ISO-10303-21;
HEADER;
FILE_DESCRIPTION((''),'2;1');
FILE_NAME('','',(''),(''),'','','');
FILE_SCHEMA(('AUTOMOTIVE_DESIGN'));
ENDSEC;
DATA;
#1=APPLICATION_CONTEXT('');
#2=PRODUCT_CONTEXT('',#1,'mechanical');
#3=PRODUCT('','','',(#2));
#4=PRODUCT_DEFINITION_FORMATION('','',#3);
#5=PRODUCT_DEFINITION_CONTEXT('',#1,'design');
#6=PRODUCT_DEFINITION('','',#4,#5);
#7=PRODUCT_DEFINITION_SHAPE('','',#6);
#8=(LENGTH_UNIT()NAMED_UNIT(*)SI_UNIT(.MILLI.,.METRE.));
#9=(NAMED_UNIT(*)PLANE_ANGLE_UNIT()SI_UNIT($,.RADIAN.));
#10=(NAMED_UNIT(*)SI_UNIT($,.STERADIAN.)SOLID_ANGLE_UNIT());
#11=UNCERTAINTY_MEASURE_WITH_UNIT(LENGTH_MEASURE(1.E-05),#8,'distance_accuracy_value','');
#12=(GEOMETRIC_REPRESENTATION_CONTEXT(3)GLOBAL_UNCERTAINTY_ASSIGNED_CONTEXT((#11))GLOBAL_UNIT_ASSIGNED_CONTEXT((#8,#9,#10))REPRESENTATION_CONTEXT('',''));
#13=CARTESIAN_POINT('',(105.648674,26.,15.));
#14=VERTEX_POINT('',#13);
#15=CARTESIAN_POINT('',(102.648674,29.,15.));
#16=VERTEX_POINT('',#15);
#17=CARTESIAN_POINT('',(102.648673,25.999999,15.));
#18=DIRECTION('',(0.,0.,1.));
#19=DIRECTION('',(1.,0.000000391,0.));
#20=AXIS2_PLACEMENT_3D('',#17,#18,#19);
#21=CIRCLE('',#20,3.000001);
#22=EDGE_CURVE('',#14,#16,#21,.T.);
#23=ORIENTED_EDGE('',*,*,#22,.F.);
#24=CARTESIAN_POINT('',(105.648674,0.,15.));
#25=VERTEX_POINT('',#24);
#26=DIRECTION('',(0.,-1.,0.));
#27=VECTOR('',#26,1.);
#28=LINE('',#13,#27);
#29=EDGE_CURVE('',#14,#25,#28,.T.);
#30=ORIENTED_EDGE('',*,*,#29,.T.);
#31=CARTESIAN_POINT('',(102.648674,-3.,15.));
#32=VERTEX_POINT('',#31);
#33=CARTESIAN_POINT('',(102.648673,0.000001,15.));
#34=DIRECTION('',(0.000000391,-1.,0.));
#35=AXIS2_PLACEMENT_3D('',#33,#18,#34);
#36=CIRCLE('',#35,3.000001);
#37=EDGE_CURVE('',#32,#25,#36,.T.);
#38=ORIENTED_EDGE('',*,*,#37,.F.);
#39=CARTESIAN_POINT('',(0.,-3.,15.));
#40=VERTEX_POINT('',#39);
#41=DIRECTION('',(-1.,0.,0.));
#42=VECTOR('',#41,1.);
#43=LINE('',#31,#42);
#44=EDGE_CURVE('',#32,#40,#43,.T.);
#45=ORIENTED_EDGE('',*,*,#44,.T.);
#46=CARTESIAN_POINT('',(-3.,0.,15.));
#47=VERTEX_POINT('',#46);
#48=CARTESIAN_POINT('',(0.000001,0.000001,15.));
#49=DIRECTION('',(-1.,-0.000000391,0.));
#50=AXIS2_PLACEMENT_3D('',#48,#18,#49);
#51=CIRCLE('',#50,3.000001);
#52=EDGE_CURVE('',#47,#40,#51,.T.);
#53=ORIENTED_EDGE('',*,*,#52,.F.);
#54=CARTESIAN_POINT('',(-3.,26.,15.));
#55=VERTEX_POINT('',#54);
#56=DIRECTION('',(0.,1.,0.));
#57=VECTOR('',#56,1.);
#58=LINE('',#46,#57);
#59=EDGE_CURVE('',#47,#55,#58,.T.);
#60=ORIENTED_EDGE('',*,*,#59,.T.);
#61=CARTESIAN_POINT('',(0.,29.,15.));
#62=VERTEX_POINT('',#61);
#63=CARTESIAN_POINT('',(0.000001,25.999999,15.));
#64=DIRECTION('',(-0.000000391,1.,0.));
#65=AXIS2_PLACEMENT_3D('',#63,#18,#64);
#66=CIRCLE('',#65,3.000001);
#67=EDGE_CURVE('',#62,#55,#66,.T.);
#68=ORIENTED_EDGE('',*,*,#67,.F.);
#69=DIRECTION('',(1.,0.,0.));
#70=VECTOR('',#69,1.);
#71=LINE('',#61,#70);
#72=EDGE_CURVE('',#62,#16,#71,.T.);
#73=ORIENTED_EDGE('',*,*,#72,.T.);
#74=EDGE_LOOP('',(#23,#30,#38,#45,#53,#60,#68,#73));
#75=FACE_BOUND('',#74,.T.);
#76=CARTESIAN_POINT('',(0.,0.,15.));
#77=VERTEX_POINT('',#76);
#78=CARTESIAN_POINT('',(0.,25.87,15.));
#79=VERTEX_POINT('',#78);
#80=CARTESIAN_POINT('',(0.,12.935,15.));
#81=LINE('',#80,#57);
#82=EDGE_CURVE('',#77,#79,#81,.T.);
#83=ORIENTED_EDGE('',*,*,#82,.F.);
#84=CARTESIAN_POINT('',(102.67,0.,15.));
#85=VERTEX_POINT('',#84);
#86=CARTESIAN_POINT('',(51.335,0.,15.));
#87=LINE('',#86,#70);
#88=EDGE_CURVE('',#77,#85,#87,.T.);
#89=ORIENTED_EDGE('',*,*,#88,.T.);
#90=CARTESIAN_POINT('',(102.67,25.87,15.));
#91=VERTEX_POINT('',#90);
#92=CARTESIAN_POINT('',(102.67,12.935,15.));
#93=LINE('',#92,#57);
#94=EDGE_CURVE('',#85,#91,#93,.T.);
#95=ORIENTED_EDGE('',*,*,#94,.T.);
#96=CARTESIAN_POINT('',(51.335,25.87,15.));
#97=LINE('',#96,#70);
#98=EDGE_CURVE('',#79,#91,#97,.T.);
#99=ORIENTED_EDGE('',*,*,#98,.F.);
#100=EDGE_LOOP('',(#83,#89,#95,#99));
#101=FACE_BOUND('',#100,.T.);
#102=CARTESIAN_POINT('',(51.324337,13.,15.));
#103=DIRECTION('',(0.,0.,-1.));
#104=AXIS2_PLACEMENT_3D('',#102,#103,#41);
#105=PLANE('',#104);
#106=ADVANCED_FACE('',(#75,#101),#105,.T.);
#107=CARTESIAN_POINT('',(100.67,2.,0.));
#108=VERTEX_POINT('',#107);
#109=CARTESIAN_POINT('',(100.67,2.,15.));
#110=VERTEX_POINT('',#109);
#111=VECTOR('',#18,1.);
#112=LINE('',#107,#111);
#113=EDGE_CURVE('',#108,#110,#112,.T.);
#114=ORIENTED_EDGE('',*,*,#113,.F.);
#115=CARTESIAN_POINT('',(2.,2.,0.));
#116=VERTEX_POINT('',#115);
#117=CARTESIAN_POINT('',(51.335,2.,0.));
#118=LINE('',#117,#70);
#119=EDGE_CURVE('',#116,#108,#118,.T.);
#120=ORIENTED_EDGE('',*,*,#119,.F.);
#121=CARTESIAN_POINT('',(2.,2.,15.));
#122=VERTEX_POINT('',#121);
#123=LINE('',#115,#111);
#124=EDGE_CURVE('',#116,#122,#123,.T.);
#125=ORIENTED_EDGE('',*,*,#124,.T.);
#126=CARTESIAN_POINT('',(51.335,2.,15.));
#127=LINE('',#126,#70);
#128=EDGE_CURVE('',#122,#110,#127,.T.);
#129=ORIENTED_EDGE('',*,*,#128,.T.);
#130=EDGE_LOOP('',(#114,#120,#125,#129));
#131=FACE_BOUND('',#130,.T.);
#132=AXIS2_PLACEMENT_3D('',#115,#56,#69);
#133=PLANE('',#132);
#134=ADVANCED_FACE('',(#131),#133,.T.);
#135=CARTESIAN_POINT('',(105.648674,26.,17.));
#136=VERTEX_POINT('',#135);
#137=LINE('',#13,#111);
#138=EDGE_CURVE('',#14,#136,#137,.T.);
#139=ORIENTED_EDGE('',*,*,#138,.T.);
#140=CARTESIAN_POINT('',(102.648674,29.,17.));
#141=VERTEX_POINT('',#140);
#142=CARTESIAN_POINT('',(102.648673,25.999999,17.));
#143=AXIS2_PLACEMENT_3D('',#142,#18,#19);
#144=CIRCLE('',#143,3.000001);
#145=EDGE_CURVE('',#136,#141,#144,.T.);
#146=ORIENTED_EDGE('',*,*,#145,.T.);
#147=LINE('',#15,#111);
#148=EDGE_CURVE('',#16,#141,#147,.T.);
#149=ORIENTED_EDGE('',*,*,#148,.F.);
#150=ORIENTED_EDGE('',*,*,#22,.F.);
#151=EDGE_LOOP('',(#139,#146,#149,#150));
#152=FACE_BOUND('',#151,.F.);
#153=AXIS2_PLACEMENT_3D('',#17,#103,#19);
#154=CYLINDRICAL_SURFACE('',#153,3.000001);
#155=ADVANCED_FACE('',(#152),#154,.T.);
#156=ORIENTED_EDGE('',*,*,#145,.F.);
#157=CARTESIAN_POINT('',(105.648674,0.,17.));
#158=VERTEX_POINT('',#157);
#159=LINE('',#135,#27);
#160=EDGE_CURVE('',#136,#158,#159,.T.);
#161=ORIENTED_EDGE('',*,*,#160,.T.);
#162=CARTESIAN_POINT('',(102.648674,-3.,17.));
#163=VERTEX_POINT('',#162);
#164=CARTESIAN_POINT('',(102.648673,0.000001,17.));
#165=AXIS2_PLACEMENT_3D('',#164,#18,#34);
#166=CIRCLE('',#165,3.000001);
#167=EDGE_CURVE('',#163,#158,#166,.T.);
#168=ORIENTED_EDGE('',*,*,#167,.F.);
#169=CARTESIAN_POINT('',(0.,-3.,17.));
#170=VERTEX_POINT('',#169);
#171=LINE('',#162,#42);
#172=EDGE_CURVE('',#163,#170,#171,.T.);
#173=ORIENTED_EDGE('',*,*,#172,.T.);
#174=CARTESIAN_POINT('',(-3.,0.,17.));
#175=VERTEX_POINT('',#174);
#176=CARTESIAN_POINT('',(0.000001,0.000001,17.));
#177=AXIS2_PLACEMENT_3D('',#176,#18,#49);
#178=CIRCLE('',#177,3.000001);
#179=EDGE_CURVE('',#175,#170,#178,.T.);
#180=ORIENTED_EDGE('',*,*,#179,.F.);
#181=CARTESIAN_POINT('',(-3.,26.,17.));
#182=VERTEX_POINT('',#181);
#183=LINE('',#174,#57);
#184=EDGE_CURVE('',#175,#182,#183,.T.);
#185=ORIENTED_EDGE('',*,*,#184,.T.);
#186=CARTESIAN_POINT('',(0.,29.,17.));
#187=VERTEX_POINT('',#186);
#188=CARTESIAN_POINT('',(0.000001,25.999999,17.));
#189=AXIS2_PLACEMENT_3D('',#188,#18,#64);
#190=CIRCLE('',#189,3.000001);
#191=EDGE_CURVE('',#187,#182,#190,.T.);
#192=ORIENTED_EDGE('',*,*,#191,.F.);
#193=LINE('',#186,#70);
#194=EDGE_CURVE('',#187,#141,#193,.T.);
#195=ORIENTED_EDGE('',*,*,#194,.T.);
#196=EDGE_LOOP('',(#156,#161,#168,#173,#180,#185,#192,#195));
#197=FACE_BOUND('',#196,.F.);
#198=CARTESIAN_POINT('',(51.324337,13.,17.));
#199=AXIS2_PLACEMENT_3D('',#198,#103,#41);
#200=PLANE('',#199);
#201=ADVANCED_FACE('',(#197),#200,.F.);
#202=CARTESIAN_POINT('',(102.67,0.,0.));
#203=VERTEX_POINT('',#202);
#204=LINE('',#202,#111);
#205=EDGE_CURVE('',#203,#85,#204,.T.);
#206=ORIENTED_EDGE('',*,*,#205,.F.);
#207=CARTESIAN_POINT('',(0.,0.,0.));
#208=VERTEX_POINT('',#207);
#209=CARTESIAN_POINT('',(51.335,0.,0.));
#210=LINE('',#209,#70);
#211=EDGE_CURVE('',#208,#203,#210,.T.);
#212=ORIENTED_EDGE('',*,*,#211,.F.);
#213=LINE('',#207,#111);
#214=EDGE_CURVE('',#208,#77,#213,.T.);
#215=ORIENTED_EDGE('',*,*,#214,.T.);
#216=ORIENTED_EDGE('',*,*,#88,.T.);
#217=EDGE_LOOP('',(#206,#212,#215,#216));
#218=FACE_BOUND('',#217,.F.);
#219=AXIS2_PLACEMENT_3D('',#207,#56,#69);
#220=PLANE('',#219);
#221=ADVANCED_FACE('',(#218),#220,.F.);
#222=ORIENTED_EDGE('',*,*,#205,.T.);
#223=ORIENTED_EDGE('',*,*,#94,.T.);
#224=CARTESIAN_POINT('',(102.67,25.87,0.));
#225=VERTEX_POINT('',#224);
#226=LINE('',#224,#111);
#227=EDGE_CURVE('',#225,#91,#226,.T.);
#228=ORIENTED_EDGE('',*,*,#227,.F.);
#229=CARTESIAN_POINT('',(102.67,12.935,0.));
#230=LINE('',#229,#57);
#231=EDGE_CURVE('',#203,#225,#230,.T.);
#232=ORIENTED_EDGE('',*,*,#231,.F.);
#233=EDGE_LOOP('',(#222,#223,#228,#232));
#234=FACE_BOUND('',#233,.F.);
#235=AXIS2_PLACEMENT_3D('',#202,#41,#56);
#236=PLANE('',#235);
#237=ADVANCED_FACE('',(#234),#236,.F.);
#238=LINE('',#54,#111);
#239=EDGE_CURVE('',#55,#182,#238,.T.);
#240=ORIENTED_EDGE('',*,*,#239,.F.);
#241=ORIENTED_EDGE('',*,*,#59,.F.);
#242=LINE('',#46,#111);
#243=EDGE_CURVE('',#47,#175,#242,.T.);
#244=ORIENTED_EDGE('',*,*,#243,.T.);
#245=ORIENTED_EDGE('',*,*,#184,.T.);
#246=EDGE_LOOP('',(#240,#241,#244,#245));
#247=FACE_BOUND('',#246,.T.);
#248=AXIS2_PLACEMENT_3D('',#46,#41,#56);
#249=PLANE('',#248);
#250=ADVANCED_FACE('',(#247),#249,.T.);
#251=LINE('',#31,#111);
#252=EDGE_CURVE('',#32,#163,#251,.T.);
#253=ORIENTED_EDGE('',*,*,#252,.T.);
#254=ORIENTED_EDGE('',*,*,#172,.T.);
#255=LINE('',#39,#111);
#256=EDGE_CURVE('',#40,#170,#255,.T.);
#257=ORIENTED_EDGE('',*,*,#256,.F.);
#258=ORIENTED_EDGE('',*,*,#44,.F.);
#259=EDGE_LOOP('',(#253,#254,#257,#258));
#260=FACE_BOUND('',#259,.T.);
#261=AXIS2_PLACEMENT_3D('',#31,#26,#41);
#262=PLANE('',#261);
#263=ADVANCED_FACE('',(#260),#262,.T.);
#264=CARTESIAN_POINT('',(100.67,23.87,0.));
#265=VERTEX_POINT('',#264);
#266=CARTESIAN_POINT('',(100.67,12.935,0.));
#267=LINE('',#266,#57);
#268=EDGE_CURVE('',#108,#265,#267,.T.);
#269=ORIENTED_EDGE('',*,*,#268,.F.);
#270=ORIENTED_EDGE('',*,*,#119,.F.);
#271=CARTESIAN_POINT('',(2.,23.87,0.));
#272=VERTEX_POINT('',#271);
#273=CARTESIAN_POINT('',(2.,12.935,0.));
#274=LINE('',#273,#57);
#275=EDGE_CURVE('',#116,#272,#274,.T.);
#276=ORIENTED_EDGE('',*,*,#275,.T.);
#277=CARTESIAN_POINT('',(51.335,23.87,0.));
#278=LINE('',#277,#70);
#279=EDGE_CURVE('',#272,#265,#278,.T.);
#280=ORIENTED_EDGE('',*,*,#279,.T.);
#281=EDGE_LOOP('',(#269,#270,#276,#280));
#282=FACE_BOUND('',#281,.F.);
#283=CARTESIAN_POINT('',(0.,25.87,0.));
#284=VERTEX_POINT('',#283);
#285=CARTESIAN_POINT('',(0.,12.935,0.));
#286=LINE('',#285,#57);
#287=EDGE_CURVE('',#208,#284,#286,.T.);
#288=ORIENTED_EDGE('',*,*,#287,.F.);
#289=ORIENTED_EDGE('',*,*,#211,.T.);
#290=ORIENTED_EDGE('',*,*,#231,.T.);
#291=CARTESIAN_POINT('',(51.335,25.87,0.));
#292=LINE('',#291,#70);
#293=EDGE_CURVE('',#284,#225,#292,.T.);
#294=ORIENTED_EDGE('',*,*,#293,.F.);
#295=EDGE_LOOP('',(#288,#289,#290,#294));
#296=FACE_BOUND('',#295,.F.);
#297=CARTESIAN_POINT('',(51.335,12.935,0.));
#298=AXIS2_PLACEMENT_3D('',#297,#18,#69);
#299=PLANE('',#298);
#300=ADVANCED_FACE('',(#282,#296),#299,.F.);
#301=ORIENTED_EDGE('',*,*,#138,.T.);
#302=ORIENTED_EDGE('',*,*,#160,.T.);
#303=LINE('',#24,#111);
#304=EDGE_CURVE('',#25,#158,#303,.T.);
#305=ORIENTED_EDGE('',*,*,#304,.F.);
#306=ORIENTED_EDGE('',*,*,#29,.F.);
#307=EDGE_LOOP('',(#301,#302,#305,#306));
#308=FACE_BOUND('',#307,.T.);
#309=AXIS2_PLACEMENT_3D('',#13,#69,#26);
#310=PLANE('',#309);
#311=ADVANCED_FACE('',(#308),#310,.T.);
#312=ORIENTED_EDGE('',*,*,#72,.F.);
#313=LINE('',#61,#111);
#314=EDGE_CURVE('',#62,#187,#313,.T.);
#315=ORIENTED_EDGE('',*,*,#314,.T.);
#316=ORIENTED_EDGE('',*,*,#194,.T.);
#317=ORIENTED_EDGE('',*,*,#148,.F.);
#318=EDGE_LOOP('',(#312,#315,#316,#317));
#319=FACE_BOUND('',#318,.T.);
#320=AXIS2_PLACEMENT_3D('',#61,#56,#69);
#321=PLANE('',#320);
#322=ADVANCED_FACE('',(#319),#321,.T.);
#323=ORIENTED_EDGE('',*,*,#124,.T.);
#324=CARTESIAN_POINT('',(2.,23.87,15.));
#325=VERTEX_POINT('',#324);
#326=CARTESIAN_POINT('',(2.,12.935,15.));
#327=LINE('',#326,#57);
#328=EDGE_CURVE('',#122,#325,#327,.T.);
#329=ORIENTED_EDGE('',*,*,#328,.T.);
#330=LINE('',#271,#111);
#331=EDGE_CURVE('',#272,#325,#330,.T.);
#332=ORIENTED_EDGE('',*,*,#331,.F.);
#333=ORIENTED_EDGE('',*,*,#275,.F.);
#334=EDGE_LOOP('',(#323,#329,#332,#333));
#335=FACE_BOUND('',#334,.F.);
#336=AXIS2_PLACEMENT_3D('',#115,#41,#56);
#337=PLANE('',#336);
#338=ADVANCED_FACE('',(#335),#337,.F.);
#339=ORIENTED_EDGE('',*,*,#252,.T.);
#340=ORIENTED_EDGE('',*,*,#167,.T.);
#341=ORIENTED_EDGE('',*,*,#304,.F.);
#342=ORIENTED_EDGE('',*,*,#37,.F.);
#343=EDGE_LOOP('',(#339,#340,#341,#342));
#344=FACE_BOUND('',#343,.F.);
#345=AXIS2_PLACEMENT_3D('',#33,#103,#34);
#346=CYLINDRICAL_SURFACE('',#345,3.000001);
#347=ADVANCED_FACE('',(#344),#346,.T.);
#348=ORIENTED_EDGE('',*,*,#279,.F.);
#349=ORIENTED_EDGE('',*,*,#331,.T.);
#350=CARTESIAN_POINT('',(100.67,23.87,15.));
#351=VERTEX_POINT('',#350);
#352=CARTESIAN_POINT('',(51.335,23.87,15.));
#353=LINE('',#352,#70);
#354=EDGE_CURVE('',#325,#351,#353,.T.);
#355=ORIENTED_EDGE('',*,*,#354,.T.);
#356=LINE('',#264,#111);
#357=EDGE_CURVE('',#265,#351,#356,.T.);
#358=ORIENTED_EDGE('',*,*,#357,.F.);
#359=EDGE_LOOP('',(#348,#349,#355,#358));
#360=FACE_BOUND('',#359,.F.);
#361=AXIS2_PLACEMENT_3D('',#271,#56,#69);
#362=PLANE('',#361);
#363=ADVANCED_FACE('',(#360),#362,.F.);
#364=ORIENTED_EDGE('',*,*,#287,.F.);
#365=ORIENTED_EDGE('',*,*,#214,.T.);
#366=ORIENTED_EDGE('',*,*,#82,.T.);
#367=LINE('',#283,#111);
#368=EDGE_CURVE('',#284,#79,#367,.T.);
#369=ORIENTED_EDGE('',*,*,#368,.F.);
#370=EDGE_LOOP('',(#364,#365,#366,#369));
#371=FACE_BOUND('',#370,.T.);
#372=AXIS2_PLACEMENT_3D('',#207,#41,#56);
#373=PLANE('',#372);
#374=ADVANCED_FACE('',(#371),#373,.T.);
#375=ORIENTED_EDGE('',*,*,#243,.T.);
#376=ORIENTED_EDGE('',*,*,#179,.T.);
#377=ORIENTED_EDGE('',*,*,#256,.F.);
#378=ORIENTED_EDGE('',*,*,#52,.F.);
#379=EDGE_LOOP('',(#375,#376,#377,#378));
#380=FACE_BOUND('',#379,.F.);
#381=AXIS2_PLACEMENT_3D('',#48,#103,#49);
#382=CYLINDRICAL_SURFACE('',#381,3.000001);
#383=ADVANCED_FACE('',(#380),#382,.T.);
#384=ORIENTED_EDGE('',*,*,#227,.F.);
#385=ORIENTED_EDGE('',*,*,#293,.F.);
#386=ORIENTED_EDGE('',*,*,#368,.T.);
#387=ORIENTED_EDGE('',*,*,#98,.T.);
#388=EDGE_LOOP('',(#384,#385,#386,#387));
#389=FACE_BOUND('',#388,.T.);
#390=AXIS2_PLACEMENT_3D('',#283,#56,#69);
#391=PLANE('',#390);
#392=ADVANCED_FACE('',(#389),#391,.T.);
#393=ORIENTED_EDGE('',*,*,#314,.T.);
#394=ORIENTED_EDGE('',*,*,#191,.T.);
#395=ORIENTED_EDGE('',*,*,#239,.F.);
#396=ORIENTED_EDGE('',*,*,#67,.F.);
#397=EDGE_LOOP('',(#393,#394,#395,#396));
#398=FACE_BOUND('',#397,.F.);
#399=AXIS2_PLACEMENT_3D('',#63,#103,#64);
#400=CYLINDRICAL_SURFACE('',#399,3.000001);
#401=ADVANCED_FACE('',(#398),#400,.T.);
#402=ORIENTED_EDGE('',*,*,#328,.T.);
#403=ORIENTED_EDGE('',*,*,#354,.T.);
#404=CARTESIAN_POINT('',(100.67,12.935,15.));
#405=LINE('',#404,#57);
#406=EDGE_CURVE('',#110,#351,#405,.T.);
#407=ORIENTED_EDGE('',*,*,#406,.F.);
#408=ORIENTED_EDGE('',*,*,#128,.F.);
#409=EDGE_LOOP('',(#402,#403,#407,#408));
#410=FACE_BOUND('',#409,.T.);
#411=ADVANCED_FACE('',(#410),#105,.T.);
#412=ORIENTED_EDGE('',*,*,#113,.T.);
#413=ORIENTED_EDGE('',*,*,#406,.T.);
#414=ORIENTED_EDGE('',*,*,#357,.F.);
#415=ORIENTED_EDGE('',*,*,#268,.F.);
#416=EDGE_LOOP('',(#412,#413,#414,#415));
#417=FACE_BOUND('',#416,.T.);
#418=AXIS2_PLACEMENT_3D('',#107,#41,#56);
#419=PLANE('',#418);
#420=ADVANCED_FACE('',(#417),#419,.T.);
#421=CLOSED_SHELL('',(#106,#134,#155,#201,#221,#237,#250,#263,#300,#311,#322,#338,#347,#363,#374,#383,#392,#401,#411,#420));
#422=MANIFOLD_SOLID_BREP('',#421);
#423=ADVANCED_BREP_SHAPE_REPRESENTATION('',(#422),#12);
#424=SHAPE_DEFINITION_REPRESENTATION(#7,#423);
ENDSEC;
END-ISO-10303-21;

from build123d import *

# Parameters (mm, degrees)
SKETCH_W     = 102.67
SKETCH_H     = 25.87
SKETCH_W_2   = 98.67
SKETCH_H_2   = 21.87
PAD_DEPTH    = 15
PAD001_DEPTH = 2


with BuildPart() as part:
    # Sketch → Pad (new body)
    with BuildSketch(Plane.XY):
        with Locations((51.335, 12.935)):
            Rectangle(SKETCH_W, SKETCH_H)
        with Locations((51.335, 12.935)):
            Rectangle(SKETCH_W_2, SKETCH_H_2, mode=Mode.SUBTRACT)
    extrude(amount=PAD_DEPTH)

    # Sketch001 (on Face10 of Pad) → Pad001 (join)
    with BuildSketch(Plane.XY.offset(15)):
        with BuildLine():
            Line((0, 29), (102.648674, 29))
            ThreePointArc((105.648674, 26), (104.769994, 28.12132), (102.648674, 29))
            Line((105.648674, 26), (105.648674, 0))
            ThreePointArc((102.648674, -3), (104.769994, -2.12132), (105.648674, 0))
            Line((102.648674, -3), (0, -3))
            ThreePointArc((-3, 0), (-2.12132, -2.12132), (0, -3))
            Line((-3, 0), (-3, 26))
            ThreePointArc((0, 29), (-2.12132, 28.12132), (-3, 26))
        make_face()
    extrude(amount=PAD001_DEPTH)


solid = part.part
